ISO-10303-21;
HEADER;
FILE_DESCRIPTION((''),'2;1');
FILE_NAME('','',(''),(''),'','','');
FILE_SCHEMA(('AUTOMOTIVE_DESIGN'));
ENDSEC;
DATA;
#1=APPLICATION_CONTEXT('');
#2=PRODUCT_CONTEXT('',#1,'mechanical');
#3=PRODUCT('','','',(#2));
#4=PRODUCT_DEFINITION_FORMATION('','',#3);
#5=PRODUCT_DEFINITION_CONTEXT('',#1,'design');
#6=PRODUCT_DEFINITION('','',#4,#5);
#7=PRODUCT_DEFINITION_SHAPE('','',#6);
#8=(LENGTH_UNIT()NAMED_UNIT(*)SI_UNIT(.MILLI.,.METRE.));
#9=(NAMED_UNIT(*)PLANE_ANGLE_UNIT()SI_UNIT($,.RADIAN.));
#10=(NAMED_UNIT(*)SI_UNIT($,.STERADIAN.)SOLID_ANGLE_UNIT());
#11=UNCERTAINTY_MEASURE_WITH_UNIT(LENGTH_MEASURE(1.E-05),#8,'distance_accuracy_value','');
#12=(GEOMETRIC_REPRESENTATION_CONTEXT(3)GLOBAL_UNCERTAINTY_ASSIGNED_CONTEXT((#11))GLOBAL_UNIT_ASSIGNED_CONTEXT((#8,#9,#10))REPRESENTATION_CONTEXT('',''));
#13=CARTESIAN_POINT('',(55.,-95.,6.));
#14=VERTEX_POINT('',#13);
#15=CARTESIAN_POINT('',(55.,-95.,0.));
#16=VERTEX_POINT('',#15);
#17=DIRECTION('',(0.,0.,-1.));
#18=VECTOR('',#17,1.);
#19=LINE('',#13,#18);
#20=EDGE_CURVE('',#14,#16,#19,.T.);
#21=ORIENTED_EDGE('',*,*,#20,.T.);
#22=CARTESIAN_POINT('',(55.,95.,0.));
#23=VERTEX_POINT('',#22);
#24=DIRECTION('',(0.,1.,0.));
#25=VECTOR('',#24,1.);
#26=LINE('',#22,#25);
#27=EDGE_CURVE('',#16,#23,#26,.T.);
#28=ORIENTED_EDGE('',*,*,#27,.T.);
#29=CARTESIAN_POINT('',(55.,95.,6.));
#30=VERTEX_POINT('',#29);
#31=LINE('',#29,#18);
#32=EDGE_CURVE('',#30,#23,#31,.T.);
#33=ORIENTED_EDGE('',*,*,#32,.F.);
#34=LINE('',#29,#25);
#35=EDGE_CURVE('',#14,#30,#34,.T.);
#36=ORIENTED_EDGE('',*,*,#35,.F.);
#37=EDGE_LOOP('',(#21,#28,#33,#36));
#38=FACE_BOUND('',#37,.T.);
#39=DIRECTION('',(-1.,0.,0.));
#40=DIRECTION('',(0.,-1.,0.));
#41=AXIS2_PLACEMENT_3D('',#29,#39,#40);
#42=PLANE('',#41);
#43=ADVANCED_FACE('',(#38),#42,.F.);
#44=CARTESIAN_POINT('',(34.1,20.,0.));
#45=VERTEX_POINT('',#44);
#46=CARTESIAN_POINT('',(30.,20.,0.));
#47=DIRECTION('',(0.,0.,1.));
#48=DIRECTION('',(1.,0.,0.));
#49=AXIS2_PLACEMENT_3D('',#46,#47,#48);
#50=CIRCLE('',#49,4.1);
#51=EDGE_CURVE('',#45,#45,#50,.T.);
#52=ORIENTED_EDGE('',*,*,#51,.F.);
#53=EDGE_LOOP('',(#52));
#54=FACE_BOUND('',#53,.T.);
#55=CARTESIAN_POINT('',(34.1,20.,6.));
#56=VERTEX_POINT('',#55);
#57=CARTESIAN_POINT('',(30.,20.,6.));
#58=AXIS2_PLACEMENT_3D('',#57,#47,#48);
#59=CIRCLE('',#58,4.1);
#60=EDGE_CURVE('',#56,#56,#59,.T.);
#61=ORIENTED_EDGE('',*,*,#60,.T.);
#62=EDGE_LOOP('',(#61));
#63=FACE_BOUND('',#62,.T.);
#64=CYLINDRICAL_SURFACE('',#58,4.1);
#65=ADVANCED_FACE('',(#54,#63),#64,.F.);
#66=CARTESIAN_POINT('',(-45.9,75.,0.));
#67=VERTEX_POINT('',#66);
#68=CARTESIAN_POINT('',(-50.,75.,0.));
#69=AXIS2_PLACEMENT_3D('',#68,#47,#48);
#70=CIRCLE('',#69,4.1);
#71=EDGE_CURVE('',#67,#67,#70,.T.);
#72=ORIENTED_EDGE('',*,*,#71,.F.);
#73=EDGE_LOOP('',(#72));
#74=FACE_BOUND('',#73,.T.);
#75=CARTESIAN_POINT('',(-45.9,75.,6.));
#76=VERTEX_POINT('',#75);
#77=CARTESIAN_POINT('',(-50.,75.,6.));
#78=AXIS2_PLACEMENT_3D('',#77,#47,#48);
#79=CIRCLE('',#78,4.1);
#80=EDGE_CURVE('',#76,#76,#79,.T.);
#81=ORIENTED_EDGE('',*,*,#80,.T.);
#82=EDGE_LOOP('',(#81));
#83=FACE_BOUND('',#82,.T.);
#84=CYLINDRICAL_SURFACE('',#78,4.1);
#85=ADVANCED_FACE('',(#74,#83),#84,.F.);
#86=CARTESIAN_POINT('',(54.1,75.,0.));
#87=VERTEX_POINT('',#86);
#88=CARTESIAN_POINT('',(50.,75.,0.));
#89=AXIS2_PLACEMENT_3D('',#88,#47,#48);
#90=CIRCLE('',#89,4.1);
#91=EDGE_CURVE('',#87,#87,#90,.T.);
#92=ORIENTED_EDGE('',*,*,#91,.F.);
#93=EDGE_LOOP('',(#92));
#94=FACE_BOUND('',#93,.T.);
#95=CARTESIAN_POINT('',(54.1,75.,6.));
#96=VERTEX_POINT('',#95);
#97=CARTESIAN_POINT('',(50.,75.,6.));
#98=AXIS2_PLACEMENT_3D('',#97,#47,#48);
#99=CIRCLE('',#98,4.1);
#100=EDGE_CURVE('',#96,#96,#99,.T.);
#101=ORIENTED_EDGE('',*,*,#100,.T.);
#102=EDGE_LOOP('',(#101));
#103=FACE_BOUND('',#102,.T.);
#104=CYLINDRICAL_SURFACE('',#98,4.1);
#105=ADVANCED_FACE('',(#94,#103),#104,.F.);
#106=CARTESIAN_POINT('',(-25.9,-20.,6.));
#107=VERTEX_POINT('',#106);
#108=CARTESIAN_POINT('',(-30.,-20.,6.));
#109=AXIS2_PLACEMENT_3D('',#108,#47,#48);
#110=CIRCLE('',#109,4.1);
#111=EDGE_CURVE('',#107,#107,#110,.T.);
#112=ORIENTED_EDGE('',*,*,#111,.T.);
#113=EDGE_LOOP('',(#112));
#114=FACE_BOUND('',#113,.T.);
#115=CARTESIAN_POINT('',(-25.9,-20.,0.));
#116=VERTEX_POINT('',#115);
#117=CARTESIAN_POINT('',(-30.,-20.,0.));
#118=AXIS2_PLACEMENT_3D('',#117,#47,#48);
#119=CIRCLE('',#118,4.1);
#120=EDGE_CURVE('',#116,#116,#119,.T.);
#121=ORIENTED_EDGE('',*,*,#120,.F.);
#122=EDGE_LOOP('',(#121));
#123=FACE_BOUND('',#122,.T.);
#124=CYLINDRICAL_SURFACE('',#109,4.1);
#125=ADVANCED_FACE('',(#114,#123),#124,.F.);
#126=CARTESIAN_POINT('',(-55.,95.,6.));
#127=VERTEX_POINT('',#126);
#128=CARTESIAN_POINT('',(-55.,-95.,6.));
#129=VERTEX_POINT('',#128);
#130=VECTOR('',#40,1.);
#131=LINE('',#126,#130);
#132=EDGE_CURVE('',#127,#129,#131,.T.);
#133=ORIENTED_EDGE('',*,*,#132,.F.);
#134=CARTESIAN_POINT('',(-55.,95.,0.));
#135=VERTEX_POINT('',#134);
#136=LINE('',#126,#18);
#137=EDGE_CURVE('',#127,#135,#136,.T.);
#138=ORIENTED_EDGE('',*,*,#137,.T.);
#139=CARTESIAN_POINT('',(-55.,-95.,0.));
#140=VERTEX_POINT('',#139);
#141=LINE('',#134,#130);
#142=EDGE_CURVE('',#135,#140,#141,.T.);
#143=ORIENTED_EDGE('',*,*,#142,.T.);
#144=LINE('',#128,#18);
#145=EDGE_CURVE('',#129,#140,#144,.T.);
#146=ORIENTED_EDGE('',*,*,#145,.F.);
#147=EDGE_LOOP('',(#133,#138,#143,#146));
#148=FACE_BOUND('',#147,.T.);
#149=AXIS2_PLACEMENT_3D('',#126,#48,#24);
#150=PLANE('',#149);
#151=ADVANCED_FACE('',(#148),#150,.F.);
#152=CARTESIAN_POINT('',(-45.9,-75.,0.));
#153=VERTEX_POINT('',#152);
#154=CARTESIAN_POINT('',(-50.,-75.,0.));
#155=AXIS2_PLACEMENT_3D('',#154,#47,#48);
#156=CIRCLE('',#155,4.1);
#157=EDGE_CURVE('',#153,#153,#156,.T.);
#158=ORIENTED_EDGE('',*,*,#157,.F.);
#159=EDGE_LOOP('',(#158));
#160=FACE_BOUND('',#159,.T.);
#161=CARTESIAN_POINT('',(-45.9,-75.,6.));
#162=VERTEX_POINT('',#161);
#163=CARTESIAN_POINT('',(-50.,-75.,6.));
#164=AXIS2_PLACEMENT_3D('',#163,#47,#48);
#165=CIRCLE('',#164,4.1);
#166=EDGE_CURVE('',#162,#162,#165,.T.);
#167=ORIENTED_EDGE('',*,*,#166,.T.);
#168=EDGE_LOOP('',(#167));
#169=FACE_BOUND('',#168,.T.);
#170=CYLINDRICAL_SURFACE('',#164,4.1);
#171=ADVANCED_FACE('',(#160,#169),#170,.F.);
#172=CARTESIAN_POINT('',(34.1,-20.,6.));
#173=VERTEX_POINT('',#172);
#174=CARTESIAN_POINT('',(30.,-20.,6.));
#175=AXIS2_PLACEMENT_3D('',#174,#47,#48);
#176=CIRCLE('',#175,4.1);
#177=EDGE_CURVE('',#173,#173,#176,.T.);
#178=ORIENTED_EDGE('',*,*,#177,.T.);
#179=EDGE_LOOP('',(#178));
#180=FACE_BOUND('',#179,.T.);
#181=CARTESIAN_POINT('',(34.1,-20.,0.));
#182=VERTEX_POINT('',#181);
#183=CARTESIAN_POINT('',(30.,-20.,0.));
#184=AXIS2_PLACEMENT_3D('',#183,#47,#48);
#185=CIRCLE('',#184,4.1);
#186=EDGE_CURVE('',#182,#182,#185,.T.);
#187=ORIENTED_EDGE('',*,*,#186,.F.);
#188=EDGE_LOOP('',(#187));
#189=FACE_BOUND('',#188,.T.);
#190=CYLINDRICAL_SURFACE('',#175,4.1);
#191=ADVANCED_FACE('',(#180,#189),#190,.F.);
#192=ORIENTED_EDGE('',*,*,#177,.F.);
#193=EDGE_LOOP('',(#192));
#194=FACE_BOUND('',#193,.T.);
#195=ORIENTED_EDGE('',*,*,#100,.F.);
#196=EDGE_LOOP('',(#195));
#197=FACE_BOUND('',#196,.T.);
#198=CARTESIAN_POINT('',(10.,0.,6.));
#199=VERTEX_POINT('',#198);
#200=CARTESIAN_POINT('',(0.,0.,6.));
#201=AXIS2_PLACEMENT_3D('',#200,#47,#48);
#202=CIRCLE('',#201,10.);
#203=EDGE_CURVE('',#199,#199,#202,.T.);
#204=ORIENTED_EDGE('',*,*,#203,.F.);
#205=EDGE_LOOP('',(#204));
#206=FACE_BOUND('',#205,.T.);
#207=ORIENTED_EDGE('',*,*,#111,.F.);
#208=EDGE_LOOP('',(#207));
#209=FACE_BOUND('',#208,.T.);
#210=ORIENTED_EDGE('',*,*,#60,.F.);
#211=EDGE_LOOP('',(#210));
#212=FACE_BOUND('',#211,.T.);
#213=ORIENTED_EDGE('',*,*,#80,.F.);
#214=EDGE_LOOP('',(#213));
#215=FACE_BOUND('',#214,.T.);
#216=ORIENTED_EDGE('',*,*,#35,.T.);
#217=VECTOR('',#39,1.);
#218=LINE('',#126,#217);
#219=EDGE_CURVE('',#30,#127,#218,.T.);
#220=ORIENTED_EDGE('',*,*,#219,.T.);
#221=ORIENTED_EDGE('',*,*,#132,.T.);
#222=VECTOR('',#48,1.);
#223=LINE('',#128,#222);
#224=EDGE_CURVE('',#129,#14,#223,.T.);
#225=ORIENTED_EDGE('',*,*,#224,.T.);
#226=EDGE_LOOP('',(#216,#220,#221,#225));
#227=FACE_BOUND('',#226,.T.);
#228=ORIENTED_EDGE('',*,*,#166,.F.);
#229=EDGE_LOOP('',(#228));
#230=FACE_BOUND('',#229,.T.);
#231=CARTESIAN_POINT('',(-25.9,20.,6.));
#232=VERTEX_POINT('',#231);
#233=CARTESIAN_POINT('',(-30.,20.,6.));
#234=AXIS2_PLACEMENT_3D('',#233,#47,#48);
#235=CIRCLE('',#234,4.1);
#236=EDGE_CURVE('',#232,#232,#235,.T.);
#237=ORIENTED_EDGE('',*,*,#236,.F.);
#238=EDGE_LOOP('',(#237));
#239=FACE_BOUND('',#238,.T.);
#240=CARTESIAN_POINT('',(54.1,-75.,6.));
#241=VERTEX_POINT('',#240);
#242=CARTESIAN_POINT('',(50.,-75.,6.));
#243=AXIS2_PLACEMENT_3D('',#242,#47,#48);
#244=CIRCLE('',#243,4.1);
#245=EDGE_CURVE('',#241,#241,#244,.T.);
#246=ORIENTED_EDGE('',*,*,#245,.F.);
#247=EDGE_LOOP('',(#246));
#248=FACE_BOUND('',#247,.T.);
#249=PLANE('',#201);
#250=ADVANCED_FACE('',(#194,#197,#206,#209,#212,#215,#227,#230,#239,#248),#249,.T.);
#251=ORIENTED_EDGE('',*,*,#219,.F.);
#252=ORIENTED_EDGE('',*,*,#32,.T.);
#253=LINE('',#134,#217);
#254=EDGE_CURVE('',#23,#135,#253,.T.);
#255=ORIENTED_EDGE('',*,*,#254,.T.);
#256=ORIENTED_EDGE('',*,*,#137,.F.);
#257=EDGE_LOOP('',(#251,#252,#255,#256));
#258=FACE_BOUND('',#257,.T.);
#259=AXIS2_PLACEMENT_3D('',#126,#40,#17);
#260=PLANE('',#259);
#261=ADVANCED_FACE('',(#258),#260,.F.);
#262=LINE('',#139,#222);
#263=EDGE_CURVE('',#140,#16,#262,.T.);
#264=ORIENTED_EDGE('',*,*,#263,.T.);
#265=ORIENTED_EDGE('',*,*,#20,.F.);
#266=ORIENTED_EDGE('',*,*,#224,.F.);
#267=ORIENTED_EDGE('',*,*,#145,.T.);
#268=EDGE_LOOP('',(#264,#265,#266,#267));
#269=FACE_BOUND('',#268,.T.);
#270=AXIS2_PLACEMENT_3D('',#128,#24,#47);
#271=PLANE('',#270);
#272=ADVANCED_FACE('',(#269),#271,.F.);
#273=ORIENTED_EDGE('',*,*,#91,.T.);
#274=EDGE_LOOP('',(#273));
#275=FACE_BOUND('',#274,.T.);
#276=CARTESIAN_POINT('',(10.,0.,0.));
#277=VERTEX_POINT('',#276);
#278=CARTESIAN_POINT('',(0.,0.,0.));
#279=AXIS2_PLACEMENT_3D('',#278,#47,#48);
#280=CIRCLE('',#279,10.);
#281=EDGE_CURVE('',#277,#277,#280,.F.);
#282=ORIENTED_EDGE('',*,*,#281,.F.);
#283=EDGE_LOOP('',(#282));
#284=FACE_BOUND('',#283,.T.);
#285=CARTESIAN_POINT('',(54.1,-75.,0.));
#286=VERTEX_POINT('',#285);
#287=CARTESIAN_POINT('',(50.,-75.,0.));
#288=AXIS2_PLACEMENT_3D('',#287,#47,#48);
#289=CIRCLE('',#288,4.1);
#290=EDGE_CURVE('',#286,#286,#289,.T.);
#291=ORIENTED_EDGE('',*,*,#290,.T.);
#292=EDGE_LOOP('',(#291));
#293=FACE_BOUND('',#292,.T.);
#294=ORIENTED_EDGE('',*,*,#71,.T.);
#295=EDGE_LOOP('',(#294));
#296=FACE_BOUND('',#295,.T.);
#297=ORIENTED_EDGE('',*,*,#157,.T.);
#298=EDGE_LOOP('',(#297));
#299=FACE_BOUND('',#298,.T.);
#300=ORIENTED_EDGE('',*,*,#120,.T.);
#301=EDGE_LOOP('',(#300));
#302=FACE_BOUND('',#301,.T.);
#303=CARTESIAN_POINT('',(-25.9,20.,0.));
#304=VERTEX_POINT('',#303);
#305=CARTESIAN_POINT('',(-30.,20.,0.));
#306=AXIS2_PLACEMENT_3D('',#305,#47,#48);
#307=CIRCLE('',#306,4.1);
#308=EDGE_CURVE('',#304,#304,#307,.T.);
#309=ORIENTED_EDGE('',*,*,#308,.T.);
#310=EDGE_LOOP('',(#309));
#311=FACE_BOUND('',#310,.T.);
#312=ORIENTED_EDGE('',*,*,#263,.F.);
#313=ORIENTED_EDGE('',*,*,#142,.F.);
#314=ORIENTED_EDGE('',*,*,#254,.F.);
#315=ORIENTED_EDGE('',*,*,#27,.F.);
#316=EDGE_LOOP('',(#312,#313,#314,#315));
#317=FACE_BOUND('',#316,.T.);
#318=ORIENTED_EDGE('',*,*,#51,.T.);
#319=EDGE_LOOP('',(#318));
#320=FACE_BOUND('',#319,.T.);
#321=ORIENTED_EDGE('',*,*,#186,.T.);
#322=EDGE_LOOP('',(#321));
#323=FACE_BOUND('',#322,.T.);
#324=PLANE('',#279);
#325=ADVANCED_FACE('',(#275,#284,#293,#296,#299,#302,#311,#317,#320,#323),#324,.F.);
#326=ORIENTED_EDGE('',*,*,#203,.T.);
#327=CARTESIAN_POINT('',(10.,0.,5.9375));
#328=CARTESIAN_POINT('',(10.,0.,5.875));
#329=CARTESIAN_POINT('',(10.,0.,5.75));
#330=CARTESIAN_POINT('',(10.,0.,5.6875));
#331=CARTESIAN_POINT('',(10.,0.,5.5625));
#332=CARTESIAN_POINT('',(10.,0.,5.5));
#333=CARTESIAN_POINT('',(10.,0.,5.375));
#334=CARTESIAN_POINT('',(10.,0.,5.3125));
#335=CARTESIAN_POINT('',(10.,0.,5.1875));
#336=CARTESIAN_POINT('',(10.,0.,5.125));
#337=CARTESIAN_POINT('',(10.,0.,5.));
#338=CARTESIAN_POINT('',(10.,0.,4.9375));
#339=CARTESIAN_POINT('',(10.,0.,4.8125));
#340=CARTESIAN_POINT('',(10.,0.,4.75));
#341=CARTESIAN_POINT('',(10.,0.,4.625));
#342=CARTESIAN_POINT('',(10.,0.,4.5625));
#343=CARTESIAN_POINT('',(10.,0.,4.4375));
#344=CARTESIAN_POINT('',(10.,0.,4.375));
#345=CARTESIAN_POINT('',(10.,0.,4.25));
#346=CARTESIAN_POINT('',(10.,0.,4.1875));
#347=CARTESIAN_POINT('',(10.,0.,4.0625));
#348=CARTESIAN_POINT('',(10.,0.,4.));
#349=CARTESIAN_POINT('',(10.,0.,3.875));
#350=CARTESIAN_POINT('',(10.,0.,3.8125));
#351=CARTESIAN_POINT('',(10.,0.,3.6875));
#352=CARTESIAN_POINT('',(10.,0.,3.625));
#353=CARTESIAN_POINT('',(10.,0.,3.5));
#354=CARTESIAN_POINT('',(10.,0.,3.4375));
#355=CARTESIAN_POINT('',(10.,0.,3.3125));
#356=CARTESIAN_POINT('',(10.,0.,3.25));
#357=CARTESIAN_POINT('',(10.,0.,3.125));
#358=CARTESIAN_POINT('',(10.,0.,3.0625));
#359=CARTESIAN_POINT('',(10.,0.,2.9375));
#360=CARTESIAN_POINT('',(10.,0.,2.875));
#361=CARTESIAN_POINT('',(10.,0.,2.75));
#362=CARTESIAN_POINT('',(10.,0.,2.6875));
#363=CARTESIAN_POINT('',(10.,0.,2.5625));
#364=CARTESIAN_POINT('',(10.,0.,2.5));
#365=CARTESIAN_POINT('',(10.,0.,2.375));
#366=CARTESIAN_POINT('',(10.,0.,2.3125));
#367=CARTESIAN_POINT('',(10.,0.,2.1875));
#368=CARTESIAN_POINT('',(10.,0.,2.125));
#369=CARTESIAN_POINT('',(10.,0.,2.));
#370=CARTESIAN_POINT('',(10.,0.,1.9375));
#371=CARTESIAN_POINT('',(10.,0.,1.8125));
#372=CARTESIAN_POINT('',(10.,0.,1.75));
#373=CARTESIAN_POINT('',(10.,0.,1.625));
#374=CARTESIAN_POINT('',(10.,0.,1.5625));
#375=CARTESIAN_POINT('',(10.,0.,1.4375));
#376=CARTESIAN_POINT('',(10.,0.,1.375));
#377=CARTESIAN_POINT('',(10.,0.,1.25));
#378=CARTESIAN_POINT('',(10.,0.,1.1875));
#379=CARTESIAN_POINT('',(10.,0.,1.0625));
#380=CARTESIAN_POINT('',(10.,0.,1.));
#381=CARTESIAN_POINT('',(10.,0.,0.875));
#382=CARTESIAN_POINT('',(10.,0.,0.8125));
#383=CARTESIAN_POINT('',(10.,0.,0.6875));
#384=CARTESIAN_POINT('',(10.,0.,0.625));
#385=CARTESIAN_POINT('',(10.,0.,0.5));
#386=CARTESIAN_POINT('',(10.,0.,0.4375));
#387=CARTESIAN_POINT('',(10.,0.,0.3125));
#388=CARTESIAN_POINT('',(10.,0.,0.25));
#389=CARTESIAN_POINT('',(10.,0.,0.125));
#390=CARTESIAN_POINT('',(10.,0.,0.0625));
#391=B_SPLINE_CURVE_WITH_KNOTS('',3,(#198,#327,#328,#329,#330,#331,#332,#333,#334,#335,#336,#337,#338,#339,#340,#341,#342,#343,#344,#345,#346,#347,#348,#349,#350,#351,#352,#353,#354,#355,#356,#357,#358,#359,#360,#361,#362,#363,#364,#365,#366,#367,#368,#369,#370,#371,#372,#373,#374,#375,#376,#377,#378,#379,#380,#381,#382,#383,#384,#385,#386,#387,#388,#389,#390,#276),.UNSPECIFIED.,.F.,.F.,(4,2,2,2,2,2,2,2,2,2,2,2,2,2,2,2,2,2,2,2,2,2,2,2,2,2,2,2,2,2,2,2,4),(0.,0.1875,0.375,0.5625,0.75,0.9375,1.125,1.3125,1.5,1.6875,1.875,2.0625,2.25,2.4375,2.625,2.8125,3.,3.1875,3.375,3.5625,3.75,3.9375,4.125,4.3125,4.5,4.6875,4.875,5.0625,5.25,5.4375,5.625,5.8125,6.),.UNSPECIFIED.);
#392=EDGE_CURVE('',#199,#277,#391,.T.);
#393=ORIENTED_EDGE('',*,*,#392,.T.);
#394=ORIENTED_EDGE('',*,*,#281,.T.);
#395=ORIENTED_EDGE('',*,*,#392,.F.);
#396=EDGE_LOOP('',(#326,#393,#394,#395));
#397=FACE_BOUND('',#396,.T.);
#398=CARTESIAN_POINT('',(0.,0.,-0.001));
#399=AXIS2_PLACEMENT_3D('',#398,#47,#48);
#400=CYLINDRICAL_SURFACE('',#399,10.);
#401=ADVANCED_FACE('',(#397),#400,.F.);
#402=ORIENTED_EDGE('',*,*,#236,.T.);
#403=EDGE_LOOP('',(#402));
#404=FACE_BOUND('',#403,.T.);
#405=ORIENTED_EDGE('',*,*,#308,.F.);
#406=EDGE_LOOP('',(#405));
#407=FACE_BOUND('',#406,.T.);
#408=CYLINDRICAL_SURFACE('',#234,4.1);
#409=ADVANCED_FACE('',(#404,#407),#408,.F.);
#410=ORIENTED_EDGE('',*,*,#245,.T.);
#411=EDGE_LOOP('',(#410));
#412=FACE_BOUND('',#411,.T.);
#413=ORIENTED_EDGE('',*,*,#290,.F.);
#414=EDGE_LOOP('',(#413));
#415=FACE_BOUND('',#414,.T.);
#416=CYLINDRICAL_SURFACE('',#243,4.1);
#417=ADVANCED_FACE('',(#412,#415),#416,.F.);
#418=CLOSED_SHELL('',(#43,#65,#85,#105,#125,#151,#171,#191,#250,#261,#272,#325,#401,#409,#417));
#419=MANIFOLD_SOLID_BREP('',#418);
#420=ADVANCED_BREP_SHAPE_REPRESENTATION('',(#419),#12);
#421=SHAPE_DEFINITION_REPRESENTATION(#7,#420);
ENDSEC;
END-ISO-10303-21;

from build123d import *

# Parameters (mm, degrees)
SKETCH1_W                = 110
SKETCH1_H                = 190
BOSS_EXTRUDE1_DEPTH      = 6
M8_CLEARANCE_HOLE1_D     = 8.2
CUT_EXTRUDE1_REACH       = 111.936
SKETCH3_R                = 10
M8_CLEARANCE_HOLE2_D     = 8.2
M8_CLEARANCE_HOLE2_DEPTH = 19.75
M8_CLEARANCE_HOLE2_TIP   = 2.463528538


with BuildPart() as part:
    # Sketch1 → Boss-Extrude1 (new body)
    with BuildSketch(Plane.XY):
        Rectangle(SKETCH1_W, SKETCH1_H)
    extrude(amount=BOSS_EXTRUDE1_DEPTH)

    # M8 Clearance Hole1 (through all)
    with Locations(Plane(origin=(-50, 75, 6), x_dir=(1, 0, 0), z_dir=(0, 0, 1))):
        with Locations((0, 0), (100, 0), (100, -150), (0, -150)):
            Hole(M8_CLEARANCE_HOLE1_D / 2)

    # Sketch3 → Cut-Extrude1 (cut, up to next)
    with BuildSketch(Plane.XY.offset(6), mode=Mode.PRIVATE) as cut_extrude1_sk1:
        Circle(SKETCH3_R)
    cut_extrude1_tool1 = extrude(cut_extrude1_sk1.sketch, amount=-CUT_EXTRUDE1_REACH, mode=Mode.PRIVATE) & part.part
    add(cut_extrude1_tool1.solids().sort_by_distance((0, 0, 6))[0], mode=Mode.SUBTRACT)

    # M8 Clearance Hole2
    with Locations(Plane(origin=(-30, 20, 6), x_dir=(1, 0, 0), z_dir=(0, 0, 1))):
        with Locations((0, 0), (60, 0), (60, -40), (0, -40)):
            Hole(M8_CLEARANCE_HOLE2_D / 2, depth=M8_CLEARANCE_HOLE2_DEPTH)
            with Locations((0, 0, -(M8_CLEARANCE_HOLE2_DEPTH + M8_CLEARANCE_HOLE2_TIP / 2))):  # 118° drill point
                Cone(0, M8_CLEARANCE_HOLE2_D / 2, M8_CLEARANCE_HOLE2_TIP, mode=Mode.SUBTRACT)


solid = part.part
